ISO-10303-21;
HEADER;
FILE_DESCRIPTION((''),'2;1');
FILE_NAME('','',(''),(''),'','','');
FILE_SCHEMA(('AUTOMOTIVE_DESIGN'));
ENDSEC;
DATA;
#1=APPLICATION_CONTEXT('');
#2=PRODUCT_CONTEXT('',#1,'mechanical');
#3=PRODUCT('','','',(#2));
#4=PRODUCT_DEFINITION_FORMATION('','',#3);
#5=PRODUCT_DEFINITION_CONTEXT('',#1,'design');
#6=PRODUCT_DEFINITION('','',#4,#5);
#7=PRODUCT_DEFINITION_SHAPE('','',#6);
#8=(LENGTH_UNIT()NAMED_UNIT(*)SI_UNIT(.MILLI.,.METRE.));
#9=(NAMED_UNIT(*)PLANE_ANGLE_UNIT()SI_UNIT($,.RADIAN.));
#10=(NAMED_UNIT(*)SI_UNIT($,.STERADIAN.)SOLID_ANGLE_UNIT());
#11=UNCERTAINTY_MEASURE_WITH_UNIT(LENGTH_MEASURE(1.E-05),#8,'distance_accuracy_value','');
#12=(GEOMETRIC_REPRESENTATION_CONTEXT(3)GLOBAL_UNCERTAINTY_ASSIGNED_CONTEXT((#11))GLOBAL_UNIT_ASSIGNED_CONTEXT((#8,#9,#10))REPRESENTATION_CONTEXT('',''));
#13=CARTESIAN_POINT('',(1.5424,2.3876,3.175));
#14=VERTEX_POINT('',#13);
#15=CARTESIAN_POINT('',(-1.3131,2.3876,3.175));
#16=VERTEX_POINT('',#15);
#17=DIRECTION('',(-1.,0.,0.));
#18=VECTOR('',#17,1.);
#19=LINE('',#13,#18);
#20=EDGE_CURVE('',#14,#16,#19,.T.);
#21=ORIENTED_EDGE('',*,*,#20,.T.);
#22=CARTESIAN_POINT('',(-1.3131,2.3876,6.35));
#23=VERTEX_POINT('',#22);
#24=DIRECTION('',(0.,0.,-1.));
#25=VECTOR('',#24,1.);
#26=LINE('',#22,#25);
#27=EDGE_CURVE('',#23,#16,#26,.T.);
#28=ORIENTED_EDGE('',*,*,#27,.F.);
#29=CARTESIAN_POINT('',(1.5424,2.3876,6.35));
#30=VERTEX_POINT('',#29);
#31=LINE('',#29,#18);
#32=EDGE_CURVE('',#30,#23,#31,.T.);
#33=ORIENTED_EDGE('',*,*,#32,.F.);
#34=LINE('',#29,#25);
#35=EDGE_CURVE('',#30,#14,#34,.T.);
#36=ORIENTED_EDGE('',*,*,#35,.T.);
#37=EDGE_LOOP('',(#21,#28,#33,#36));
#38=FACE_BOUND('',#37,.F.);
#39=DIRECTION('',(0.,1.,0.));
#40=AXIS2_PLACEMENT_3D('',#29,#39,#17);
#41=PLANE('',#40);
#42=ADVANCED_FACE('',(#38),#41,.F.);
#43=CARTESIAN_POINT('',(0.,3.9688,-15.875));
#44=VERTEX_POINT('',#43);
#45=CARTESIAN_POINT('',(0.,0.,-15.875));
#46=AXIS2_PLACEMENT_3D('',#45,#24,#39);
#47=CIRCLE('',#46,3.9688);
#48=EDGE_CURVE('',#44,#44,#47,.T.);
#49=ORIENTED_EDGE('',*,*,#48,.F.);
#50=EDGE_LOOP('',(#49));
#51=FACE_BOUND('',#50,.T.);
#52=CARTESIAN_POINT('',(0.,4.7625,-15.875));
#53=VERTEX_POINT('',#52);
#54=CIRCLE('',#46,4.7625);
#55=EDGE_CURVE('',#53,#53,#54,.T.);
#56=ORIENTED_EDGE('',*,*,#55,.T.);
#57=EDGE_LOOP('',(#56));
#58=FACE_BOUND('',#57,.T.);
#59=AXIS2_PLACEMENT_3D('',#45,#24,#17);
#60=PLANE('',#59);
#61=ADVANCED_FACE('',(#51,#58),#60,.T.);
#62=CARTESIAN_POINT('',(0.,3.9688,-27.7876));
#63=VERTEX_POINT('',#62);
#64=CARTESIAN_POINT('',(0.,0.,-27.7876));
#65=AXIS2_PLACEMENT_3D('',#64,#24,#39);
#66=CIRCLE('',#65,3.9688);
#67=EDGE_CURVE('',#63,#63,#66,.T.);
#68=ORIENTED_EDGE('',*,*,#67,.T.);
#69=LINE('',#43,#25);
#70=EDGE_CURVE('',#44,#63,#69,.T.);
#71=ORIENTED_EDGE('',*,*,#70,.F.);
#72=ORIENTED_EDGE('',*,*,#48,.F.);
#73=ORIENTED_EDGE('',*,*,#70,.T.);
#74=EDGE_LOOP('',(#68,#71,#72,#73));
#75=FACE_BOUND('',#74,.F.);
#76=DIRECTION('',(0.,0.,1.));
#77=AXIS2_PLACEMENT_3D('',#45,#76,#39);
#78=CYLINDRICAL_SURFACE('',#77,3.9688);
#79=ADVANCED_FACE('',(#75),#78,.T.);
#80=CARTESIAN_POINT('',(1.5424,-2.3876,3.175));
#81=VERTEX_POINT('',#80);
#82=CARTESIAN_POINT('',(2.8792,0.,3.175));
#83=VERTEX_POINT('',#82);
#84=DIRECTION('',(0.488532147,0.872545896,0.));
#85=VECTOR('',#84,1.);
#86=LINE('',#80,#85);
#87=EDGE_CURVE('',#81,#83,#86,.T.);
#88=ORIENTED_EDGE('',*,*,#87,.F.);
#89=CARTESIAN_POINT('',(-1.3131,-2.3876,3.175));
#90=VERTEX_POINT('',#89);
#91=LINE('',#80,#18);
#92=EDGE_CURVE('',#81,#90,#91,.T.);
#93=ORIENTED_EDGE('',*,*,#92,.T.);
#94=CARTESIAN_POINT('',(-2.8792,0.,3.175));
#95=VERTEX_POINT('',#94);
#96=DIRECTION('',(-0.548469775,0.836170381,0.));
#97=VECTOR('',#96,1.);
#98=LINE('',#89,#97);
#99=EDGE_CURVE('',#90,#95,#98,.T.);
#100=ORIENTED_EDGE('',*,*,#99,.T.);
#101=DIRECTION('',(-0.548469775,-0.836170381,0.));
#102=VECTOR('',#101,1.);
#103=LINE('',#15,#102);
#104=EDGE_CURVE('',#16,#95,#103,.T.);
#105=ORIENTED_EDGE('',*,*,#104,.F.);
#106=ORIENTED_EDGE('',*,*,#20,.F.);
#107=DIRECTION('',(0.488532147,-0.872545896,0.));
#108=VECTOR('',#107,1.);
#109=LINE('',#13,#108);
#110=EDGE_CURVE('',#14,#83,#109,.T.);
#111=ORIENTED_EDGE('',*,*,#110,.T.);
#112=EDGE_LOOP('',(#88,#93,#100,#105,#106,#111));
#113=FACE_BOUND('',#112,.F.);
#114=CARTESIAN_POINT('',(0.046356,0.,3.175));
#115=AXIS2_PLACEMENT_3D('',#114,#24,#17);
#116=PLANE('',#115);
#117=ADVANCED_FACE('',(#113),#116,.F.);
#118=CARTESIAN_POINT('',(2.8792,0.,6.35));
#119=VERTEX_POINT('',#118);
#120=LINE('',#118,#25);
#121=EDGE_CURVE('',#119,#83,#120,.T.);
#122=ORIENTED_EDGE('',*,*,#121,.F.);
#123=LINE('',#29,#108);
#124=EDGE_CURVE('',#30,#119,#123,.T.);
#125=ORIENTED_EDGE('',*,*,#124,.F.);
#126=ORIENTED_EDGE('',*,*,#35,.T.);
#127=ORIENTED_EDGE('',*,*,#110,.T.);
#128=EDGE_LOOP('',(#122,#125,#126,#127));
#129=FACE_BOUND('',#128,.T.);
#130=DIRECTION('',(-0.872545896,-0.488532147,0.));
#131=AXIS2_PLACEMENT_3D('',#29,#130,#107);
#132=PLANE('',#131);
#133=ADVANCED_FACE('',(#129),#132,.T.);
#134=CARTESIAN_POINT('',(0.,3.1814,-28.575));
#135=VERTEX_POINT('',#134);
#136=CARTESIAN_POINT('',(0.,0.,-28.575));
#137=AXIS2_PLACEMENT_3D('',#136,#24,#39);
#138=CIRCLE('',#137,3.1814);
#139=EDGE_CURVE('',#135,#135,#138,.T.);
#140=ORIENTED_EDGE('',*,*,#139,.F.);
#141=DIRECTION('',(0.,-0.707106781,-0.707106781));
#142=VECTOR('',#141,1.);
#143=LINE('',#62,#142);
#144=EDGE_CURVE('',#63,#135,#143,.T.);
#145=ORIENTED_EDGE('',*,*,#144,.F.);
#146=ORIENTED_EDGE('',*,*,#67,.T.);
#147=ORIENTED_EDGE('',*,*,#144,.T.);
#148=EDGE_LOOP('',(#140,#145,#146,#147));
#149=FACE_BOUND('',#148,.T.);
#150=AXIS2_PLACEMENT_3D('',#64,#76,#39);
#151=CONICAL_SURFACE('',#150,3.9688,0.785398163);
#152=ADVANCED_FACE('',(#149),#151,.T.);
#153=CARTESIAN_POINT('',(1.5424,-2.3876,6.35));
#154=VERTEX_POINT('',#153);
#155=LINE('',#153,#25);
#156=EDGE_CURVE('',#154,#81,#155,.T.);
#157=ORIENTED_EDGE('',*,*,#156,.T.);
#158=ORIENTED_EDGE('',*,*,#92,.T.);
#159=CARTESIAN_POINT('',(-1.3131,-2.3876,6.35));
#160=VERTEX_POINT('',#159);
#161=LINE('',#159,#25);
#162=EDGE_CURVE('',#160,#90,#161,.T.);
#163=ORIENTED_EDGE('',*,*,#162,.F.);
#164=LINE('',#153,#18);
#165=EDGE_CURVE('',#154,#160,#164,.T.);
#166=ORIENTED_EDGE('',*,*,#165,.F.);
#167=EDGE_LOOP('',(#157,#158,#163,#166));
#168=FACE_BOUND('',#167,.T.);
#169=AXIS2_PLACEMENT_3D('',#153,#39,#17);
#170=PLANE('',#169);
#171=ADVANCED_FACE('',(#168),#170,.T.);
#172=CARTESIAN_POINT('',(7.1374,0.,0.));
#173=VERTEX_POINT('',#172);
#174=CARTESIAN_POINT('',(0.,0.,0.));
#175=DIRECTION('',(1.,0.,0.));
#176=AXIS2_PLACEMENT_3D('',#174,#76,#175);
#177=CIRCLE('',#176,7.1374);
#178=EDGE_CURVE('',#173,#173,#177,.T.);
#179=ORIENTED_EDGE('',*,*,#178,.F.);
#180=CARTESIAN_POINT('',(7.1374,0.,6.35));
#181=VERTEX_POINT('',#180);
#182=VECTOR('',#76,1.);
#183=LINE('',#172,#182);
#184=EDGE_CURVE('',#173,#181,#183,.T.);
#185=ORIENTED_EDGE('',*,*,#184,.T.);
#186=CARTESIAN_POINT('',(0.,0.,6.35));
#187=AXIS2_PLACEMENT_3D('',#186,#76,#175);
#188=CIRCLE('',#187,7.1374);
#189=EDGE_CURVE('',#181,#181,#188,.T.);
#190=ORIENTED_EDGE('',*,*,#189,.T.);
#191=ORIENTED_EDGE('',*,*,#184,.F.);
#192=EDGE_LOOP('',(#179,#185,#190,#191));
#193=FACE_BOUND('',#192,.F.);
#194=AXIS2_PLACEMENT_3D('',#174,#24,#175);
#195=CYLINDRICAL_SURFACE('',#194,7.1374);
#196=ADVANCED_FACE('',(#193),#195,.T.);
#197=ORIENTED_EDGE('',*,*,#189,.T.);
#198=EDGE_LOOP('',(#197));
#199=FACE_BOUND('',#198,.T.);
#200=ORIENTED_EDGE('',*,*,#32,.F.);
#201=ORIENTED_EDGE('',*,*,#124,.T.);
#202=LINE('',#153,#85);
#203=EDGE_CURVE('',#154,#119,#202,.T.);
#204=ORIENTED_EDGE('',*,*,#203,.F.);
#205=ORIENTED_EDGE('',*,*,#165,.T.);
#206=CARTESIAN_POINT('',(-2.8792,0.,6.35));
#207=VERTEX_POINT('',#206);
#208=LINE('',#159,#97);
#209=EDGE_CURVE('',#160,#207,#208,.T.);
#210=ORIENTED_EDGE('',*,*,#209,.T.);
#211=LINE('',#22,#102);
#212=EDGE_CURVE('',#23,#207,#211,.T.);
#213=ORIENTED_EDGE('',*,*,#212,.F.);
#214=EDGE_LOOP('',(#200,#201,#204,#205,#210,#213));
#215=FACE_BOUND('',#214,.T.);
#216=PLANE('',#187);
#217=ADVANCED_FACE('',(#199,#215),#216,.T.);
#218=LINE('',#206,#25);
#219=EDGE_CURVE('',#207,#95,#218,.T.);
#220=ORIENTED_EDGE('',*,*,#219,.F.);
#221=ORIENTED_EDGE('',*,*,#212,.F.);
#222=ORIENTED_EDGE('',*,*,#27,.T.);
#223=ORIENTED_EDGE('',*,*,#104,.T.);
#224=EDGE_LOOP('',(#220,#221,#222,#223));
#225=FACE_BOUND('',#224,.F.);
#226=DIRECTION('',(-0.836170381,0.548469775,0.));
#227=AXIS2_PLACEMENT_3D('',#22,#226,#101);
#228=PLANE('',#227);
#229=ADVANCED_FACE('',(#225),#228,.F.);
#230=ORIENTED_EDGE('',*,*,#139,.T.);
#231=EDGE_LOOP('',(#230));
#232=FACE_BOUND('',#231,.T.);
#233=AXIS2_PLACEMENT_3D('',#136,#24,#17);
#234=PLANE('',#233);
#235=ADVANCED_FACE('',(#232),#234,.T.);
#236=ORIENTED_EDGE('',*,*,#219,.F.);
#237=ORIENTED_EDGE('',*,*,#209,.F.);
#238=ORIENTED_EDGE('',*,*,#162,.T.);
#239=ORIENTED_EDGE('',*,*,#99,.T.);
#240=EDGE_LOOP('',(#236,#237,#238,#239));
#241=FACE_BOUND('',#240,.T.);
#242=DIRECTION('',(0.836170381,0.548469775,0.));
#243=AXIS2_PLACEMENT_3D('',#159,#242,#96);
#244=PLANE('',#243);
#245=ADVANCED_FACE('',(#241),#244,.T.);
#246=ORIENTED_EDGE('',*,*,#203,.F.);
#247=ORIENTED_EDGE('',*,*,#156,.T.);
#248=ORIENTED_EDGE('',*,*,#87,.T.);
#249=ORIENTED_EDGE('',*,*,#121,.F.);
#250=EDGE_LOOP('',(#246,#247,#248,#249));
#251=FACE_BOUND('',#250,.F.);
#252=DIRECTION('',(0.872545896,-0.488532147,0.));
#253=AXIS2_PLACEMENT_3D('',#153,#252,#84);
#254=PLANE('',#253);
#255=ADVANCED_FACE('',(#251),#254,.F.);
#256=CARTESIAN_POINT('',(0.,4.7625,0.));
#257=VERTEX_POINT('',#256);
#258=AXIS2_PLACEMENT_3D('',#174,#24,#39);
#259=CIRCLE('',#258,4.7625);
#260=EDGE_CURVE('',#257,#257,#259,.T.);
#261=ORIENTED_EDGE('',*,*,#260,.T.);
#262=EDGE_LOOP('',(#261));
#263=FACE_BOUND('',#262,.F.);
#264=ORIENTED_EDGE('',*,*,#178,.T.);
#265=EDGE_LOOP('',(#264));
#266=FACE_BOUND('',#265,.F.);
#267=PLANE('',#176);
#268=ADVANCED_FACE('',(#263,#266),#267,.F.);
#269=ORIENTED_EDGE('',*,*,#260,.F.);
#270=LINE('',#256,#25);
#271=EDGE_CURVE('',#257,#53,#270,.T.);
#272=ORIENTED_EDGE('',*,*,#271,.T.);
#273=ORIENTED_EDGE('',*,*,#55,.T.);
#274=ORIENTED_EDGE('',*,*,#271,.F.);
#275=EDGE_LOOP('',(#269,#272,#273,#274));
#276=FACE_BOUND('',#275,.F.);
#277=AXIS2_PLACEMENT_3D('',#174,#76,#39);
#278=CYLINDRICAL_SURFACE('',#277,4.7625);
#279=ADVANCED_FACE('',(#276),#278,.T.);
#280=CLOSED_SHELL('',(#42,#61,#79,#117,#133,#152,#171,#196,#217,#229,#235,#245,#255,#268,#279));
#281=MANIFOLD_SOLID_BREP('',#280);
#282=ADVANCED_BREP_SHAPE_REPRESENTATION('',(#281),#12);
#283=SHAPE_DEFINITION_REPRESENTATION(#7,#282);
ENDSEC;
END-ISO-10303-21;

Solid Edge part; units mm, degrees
sketch "Sketch1" plane through (0, 0, 0) normal (0, 0, 1) x (1, 0, 0)
  circle A0 centre (0, 0) radius 7.1374
  dimension "D1" = 14.2748
extrude "Protrusion1" add sketch "Sketch1" along normal blind 6.35
sketch "Sketch2" plane through (0, 0, 0) normal (0, 0, -1) x (0, 1, 0)
  circle A0 centre (0, 0) radius 4.7625
  dimension "D1" = 9.525
extrude "Protrusion2" add sketch "Sketch2" along normal blind 15.875
sketch "Sketch3" plane through (0, 0, -15.875) normal (0, 0, -1) x (0, 1, 0)
  circle A0 centre (0, 0) radius 3.9688
  dimension "D1" = 7.9375
extrude "Protrusion3" add sketch "Sketch3" along normal blind 12.7
sketch "Sketch4" plane through (0, 0, 6.35) normal (0, 0, 1) x (0, 1, 0)
  line L0 (-2.3876, 1.3131) -> (0, 2.8792)
  line L1 (-2.3876, -1.5424) -> (-2.3876, 1.3131)
  line L2 (-2.3876, -1.5424) -> (0, -2.8792)
  line L3 (2.3876, -1.5424) -> (0, -2.8792)
  line L4 (2.3876, -1.5424) -> (2.3876, 1.3131)
  line L5 (2.3876, 1.3131) -> (0, 2.8792)
  dimension "D1" = 4.7752
extrude "Cutout1" cut sketch "Sketch4" against normal blind 3.175
chamfer "Chamfer1" distance 0.7874 angle 45 1 edges at (0, -3.9688, -28.575)
properties part number "163434"
